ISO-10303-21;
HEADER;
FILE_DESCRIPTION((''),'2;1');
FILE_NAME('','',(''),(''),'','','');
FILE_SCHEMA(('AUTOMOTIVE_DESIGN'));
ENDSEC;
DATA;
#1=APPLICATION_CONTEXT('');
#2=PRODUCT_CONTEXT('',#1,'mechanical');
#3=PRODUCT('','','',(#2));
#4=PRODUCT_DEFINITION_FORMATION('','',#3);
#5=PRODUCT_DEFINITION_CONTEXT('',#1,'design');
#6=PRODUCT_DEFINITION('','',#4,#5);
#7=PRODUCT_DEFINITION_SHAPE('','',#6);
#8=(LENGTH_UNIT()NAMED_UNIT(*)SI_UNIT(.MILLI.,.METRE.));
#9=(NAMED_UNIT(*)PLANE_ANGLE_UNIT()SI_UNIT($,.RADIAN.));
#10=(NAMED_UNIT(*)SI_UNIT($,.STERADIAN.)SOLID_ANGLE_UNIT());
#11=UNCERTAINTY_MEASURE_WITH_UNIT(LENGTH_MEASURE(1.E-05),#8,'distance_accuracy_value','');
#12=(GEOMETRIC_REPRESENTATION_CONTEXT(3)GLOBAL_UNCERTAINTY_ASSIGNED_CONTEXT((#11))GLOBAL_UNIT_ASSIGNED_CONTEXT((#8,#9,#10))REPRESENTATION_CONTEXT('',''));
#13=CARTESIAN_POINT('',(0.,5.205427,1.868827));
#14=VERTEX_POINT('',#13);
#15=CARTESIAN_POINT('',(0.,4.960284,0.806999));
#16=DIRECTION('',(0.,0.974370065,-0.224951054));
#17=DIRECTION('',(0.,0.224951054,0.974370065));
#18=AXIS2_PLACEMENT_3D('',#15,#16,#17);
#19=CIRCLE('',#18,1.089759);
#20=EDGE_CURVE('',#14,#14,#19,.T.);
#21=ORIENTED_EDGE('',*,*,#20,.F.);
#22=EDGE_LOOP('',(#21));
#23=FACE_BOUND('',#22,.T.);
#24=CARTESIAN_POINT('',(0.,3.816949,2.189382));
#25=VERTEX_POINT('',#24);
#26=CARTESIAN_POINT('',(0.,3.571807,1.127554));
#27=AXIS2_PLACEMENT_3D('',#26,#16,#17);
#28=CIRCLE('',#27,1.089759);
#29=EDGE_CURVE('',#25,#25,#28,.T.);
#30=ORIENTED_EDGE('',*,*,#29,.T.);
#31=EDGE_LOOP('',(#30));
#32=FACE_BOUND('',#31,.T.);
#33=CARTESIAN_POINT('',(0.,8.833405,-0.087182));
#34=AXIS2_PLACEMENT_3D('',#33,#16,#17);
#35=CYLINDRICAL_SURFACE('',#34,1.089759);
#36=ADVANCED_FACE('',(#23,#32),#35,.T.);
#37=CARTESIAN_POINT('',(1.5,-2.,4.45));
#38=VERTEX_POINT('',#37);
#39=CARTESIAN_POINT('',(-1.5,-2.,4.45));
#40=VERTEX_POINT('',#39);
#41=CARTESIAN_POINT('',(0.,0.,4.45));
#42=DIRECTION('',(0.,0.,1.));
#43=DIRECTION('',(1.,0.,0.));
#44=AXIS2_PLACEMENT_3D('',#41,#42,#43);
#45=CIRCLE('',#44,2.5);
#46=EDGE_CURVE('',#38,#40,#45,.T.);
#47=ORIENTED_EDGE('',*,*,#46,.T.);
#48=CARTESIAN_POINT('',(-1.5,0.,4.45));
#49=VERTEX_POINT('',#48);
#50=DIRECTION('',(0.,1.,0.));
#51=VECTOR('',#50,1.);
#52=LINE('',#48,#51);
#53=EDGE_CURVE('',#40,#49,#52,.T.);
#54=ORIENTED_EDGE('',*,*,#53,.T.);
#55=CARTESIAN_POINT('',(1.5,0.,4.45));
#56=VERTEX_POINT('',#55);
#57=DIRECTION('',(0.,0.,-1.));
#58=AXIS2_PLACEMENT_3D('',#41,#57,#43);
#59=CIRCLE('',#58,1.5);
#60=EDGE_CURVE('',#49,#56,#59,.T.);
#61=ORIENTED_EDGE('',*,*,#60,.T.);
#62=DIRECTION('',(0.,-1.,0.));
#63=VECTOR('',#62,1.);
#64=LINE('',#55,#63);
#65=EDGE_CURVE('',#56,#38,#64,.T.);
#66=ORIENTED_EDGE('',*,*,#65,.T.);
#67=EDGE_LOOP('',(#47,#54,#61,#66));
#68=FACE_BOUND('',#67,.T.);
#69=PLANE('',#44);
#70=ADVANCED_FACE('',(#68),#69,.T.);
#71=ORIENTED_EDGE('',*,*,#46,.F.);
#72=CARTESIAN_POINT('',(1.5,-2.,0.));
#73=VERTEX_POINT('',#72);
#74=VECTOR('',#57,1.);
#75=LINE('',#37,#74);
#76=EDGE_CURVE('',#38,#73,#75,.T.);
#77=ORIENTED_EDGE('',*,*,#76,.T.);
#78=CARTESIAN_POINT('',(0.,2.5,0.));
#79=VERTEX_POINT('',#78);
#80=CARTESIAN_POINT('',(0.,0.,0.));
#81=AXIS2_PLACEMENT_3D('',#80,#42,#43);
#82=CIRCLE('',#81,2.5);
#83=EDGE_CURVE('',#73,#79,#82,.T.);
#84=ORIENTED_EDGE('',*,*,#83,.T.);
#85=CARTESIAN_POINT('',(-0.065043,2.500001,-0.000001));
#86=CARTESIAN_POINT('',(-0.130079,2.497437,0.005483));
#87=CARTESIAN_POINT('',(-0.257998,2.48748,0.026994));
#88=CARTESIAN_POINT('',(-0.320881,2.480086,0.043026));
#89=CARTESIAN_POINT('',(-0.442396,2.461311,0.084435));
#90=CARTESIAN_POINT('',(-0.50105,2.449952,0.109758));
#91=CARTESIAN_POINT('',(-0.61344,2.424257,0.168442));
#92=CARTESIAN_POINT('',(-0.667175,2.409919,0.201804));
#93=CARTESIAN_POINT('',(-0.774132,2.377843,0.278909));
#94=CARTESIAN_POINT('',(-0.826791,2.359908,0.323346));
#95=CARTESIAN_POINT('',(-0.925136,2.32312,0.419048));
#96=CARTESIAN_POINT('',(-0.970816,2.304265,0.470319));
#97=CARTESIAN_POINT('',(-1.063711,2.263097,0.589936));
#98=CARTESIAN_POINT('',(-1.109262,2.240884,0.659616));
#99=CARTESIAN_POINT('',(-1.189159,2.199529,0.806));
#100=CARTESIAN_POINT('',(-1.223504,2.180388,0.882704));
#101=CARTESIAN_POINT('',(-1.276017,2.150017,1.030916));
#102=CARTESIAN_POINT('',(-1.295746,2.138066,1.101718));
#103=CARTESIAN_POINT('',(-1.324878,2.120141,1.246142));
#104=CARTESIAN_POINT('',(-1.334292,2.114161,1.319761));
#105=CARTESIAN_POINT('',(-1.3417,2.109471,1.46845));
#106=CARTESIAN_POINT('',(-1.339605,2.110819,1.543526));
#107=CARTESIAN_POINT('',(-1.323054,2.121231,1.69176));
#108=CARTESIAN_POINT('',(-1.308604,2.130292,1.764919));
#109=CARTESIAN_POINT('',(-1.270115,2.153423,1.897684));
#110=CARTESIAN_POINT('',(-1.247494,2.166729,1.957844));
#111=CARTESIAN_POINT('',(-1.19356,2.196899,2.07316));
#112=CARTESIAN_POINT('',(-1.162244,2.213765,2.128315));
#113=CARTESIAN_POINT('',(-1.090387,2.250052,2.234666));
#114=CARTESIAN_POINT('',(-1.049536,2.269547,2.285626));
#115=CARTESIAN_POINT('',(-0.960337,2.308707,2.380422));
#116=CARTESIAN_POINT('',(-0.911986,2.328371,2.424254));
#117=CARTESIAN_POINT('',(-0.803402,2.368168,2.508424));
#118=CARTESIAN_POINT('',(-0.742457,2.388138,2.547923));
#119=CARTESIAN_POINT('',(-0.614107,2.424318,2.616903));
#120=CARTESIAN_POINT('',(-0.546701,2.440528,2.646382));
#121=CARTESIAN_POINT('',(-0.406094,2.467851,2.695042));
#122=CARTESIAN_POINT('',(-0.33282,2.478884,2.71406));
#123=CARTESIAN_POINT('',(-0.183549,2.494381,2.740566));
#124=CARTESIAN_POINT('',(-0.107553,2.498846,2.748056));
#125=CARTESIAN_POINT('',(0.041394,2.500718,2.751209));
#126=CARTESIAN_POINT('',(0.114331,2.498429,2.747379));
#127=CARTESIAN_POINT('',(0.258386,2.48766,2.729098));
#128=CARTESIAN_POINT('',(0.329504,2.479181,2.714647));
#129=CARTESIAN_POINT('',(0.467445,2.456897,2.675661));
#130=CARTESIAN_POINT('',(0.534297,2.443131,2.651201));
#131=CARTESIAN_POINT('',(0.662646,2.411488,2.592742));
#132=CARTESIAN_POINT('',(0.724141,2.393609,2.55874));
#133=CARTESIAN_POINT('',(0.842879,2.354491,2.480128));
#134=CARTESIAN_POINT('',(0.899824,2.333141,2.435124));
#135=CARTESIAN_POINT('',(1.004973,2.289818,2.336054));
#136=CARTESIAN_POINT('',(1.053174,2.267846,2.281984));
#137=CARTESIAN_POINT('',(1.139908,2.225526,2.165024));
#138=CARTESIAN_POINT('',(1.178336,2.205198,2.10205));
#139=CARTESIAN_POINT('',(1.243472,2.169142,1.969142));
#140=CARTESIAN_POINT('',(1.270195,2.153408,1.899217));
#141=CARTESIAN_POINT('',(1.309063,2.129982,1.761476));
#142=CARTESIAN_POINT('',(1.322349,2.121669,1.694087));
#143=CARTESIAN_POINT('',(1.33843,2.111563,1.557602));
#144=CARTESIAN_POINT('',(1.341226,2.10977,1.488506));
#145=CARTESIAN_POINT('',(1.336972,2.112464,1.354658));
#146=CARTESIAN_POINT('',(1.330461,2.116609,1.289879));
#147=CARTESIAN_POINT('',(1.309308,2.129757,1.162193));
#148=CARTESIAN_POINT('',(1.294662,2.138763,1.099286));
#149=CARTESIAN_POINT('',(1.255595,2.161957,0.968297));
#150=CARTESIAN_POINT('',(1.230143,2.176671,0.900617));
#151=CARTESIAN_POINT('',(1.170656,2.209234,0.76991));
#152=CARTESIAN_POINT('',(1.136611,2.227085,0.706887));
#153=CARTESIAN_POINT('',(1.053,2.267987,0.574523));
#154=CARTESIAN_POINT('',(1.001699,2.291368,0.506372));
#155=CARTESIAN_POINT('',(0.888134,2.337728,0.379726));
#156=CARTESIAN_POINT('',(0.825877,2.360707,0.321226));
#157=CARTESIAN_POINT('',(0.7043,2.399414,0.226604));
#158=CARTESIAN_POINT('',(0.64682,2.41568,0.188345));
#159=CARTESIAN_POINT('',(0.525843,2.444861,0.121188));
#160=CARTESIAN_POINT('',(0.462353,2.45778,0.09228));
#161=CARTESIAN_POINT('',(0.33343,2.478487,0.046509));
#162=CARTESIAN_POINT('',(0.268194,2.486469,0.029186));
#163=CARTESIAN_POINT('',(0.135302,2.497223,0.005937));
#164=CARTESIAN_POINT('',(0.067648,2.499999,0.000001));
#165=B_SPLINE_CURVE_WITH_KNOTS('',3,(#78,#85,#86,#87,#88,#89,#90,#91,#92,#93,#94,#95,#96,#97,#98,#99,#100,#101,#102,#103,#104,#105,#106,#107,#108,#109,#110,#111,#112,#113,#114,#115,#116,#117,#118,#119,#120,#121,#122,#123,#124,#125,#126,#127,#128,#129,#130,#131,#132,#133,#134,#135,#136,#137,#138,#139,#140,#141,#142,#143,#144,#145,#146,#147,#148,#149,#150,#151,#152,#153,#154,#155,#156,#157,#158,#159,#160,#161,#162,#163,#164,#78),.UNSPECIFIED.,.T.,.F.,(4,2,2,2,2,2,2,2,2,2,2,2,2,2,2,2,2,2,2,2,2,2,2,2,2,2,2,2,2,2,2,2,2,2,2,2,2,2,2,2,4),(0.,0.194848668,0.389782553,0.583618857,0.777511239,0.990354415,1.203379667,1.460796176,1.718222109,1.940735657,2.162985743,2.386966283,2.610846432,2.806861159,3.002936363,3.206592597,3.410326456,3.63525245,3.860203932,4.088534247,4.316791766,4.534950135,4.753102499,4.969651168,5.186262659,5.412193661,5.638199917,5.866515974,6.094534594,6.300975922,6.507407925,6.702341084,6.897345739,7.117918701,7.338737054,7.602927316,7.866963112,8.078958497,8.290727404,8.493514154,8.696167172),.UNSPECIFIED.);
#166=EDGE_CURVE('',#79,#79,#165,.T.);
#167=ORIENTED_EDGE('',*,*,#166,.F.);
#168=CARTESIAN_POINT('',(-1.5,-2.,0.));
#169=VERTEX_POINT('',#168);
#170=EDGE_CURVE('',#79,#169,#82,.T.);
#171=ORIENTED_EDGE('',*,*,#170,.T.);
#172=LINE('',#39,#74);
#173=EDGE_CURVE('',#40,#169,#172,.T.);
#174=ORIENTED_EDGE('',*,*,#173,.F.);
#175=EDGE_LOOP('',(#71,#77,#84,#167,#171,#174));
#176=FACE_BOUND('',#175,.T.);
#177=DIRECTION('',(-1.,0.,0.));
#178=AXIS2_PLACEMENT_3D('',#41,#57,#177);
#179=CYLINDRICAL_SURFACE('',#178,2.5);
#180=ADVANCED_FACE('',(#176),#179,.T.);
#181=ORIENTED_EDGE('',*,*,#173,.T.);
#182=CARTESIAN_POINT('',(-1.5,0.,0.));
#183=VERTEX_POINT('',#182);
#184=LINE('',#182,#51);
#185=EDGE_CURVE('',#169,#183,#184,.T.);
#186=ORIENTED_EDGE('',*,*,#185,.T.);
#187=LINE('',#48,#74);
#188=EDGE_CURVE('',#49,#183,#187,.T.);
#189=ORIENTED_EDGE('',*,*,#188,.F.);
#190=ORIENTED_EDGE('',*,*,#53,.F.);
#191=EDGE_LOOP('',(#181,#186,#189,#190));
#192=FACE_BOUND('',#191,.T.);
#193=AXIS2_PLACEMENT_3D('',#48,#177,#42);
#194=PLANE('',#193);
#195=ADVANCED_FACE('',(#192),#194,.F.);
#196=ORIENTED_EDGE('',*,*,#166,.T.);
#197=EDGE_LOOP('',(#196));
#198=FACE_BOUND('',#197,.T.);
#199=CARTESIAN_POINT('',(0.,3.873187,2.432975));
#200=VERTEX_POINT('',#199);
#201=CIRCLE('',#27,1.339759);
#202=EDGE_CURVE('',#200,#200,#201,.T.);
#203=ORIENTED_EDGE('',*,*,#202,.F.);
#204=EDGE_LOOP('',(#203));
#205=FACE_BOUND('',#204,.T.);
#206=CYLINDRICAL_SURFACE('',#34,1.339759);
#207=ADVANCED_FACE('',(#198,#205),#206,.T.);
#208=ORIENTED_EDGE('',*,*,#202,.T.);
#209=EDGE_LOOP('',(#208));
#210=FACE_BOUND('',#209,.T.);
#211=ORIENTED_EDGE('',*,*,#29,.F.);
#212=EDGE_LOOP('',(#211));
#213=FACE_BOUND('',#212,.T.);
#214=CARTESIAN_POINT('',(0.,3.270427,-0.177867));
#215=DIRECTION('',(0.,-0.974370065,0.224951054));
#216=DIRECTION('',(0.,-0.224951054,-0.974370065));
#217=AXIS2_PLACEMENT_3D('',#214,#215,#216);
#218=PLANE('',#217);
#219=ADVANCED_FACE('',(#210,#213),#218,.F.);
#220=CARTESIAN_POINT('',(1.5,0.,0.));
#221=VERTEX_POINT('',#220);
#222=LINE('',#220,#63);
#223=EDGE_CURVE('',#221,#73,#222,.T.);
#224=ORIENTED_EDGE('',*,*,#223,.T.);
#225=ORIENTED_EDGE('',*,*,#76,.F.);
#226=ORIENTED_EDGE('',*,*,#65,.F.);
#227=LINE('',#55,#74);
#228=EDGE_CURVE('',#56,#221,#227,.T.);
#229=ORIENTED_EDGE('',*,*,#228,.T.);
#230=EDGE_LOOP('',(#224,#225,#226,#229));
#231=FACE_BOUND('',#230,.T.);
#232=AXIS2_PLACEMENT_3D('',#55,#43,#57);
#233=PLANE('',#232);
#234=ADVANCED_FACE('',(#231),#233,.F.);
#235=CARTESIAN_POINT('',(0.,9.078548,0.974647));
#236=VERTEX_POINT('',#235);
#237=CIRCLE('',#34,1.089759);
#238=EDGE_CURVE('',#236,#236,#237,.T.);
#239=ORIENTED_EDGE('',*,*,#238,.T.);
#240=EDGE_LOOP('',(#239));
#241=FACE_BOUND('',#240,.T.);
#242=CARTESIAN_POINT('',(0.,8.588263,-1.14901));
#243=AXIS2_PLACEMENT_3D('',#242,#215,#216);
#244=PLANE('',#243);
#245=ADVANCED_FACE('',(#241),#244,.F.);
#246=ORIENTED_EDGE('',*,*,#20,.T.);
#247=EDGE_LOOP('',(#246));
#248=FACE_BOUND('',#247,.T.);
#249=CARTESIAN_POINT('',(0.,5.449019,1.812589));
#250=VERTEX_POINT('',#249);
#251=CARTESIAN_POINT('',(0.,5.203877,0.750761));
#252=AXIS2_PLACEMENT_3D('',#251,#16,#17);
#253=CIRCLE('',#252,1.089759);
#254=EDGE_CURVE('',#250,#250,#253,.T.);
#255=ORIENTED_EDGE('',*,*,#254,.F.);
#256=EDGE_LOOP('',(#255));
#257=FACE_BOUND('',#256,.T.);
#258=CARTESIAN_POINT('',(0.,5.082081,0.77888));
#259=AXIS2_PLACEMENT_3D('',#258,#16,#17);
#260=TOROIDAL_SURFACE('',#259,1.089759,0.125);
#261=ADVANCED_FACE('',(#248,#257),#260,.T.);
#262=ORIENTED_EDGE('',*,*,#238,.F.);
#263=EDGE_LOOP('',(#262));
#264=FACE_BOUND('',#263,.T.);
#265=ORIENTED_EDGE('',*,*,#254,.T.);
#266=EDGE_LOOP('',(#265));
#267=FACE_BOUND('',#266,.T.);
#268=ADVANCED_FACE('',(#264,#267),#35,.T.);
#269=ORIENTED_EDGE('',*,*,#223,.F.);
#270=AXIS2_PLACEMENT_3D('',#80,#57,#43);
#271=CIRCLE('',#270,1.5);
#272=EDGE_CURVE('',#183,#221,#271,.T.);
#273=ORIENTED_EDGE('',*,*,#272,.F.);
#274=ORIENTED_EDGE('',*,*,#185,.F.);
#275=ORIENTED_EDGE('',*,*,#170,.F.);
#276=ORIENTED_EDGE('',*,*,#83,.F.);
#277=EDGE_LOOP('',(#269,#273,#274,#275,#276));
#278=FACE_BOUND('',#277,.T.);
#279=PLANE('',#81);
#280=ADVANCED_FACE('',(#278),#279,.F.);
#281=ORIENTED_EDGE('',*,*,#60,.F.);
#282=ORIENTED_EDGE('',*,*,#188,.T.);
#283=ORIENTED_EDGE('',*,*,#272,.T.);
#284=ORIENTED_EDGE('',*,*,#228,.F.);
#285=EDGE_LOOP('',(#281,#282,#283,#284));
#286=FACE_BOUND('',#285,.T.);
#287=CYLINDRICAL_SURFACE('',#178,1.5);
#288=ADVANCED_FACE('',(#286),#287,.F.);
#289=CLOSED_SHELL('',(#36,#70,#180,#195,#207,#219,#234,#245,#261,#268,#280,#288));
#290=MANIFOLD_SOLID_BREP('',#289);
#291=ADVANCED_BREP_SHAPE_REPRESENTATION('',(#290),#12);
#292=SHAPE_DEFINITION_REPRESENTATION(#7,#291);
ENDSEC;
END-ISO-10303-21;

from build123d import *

# Parameters (mm, degrees)
BOSS_EXTRUDE1_DEPTH = 4.45


with BuildPart() as part:
    # Sketch1 → Boss-Extrude1 (new body)
    with BuildSketch(Plane.XY):
        with BuildLine():
            Line((-1.5, 0), (-1.5, -2))
            ThreePointArc((-1.5, -2), (0, 2.5), (1.5, -2))
            Line((1.5, -2), (1.5, 0))
            ThreePointArc((1.5, 0), (0, 1.5), (-1.5, 0))
        make_face()
    extrude(amount=BOSS_EXTRUDE1_DEPTH)

    # Sketch3 → Revolve3 (revolve)
    with BuildSketch(Plane(origin=(0, 0, 0), x_dir=(0, 0, -1), z_dir=(1, 0, 0))):
        with BuildLine():
            Line((0, 2.5), (0.177867067, 3.270426908))
            Line((0.177867067, 3.270426908), (-0.06572545, 3.326664671))
            Line((-0.06572545, 3.326664671), (0.254829803, 4.715142014))
            ThreePointArc((0.254829803, 4.715142014), (0.404744943, 4.80881939), (0.311067566, 4.95873453))
            Line((0.311067566, 4.95873453), (1.149010244, 8.588263021))
            Line((1.149010244, 8.588263021), (0.087181853, 8.833405421))
            Line((0.087181853, 8.833405421), (-1.496634638, 1.973142501))
            Line((-1.496634638, 1.973142501), (-0.191213731, 1.671762337))
            Line((-0.191213731, 1.671762337), (0, 2.5))
        make_face()
    revolve(axis=Axis((0, 8.833405421, -0.087181853), (0, -0.974370065, 0.224951054)))


solid = part.part
